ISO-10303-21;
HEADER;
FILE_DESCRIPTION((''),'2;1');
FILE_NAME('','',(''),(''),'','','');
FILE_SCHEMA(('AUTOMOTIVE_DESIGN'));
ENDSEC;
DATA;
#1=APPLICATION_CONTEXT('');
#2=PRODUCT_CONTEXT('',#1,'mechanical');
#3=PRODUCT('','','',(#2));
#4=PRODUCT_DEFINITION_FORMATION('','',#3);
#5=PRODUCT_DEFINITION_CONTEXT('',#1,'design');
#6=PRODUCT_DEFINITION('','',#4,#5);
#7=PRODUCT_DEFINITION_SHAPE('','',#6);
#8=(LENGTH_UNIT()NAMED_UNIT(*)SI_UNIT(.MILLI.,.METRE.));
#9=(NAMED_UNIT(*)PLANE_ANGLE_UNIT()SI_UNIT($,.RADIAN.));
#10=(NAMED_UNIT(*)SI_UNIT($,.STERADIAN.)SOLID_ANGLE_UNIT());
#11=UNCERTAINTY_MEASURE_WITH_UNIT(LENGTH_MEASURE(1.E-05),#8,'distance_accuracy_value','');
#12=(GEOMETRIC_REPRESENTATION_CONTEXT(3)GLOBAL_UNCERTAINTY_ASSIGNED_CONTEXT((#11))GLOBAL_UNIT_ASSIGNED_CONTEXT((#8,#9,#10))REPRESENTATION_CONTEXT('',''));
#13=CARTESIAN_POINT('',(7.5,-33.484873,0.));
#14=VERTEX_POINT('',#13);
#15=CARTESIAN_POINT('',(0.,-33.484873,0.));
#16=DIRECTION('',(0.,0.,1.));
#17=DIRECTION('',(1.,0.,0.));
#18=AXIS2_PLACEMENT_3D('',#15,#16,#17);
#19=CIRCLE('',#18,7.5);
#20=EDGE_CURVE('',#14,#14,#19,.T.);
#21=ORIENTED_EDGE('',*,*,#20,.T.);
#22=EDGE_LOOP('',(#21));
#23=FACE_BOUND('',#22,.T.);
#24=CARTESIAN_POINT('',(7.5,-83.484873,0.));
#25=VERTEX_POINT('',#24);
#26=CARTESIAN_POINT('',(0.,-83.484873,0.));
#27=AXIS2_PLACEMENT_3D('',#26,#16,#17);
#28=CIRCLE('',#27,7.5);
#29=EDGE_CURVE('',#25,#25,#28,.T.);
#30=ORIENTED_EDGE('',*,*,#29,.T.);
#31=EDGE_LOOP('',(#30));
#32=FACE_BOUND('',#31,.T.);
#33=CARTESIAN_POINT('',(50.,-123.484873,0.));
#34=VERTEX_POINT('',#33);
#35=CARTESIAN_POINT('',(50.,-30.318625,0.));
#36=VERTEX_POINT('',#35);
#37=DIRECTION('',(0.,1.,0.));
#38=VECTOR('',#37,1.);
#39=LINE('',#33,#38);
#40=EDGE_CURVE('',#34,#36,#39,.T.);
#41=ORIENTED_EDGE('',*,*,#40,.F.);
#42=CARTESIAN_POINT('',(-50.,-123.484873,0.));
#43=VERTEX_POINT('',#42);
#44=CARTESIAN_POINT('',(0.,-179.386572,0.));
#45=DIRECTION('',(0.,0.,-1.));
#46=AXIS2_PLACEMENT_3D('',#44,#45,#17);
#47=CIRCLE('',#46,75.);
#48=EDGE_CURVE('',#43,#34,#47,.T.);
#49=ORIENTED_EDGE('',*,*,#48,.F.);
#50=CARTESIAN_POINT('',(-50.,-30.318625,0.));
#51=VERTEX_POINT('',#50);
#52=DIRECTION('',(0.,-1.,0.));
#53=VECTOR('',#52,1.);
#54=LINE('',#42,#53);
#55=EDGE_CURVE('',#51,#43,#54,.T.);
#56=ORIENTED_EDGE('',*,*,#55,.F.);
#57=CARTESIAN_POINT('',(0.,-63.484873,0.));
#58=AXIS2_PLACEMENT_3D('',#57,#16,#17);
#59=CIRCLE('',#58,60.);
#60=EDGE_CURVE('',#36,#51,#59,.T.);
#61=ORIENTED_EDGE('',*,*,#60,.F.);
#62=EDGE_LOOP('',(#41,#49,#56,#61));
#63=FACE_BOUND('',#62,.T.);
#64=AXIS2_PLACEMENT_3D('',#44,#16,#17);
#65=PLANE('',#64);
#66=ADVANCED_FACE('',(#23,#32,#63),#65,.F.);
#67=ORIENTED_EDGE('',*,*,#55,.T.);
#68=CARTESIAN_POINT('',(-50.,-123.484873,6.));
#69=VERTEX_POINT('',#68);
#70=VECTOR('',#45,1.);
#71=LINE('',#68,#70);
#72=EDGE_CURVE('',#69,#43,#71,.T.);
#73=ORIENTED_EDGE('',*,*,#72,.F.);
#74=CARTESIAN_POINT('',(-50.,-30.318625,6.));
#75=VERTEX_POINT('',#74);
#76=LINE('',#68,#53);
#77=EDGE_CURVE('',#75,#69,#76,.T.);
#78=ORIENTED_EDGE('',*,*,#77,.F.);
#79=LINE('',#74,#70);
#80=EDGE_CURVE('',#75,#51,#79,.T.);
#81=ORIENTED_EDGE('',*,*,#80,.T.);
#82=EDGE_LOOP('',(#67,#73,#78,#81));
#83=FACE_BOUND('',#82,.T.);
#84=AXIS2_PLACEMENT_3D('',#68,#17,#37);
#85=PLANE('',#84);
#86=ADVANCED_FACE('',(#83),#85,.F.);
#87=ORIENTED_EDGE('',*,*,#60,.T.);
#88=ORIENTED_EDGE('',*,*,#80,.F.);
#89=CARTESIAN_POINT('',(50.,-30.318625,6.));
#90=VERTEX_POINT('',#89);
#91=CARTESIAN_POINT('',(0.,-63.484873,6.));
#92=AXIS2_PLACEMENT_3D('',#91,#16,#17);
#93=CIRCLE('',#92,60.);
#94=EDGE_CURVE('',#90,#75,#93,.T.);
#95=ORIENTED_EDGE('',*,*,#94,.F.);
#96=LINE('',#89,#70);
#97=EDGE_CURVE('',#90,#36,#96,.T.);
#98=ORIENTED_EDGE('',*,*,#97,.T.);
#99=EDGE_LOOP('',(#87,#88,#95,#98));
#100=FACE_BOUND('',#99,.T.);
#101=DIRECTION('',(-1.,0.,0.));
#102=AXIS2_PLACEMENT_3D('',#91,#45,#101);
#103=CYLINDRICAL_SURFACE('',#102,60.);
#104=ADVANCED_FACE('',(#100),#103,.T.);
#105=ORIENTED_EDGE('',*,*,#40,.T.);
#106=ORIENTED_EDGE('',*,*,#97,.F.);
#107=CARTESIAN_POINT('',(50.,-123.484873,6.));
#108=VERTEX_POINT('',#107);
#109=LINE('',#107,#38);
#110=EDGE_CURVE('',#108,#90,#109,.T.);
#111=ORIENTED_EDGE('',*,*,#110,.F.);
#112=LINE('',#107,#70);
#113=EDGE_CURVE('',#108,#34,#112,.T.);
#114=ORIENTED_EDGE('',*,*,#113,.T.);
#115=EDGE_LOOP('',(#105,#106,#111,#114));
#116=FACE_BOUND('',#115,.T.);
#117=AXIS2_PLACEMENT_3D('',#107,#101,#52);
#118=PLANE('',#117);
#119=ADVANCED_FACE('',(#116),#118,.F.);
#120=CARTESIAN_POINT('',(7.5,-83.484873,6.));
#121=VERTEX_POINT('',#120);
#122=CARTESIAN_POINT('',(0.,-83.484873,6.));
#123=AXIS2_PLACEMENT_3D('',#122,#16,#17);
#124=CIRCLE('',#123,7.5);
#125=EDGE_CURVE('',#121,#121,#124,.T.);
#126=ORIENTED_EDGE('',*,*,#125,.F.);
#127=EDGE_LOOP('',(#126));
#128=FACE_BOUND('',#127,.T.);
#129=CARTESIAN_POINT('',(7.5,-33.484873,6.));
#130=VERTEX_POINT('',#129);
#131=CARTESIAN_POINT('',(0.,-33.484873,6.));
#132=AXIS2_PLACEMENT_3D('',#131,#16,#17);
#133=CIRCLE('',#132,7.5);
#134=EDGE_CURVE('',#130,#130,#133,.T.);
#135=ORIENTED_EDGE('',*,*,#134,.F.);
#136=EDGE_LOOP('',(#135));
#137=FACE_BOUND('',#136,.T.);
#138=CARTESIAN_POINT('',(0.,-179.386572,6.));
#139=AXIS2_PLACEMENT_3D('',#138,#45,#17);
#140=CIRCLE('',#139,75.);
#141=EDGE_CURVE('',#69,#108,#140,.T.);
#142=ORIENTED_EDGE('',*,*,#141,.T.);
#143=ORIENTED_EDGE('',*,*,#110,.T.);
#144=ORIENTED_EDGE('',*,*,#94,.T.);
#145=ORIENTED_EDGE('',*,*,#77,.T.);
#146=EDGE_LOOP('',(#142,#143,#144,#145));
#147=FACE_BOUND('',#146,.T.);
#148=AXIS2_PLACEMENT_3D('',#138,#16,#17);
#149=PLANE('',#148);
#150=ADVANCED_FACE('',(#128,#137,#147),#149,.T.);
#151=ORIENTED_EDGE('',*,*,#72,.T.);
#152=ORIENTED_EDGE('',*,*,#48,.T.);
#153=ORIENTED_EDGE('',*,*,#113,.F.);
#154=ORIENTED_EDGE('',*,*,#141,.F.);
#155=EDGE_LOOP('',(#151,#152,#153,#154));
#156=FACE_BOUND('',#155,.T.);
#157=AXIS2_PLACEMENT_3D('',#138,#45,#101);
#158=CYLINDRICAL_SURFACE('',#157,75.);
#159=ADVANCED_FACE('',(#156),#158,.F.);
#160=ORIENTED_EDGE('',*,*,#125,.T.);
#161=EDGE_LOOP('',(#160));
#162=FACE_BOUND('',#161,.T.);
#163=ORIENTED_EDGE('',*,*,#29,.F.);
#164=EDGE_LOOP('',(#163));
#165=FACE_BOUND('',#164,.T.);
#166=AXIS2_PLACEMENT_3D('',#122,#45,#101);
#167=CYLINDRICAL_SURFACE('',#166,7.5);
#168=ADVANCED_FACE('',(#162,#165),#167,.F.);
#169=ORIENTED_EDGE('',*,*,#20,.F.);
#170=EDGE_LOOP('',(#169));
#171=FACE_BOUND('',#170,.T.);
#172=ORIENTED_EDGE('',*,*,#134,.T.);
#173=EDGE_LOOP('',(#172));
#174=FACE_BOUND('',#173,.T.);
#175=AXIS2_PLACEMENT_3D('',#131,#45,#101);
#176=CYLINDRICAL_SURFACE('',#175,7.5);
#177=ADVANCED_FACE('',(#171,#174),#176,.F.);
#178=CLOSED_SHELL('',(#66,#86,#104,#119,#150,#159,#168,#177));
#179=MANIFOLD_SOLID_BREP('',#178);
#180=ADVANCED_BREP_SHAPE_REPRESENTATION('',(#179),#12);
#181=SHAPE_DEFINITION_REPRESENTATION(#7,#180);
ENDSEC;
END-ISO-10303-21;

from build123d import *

# Parameters (mm, degrees)
SKIZZE1_R                       = 7.5
AUFSATZ_LINEAR_AUSTRAGEN1_DEPTH = 6


with BuildPart() as part:
    # Skizze1 → Aufsatz-Linear austragen1 (new body)
    with BuildSketch(Plane.XY):
        with BuildLine():
            Line((-50, -123.484872851), (-50, -30.318624947))
            ThreePointArc((-50, -30.318624947), (0, -3.484872851), (50, -30.318624947))
            Line((50, -30.318624947), (50, -123.484872851))
            ThreePointArc((50, -123.484872851), (0, -104.386572288), (-50, -123.484872851))
        make_face()
        with Locations((0, -83.484872851)):
            Circle(SKIZZE1_R, mode=Mode.SUBTRACT)
        with Locations((0, -33.484872851)):
            Circle(SKIZZE1_R, mode=Mode.SUBTRACT)
    extrude(amount=AUFSATZ_LINEAR_AUSTRAGEN1_DEPTH)


solid = part.part
